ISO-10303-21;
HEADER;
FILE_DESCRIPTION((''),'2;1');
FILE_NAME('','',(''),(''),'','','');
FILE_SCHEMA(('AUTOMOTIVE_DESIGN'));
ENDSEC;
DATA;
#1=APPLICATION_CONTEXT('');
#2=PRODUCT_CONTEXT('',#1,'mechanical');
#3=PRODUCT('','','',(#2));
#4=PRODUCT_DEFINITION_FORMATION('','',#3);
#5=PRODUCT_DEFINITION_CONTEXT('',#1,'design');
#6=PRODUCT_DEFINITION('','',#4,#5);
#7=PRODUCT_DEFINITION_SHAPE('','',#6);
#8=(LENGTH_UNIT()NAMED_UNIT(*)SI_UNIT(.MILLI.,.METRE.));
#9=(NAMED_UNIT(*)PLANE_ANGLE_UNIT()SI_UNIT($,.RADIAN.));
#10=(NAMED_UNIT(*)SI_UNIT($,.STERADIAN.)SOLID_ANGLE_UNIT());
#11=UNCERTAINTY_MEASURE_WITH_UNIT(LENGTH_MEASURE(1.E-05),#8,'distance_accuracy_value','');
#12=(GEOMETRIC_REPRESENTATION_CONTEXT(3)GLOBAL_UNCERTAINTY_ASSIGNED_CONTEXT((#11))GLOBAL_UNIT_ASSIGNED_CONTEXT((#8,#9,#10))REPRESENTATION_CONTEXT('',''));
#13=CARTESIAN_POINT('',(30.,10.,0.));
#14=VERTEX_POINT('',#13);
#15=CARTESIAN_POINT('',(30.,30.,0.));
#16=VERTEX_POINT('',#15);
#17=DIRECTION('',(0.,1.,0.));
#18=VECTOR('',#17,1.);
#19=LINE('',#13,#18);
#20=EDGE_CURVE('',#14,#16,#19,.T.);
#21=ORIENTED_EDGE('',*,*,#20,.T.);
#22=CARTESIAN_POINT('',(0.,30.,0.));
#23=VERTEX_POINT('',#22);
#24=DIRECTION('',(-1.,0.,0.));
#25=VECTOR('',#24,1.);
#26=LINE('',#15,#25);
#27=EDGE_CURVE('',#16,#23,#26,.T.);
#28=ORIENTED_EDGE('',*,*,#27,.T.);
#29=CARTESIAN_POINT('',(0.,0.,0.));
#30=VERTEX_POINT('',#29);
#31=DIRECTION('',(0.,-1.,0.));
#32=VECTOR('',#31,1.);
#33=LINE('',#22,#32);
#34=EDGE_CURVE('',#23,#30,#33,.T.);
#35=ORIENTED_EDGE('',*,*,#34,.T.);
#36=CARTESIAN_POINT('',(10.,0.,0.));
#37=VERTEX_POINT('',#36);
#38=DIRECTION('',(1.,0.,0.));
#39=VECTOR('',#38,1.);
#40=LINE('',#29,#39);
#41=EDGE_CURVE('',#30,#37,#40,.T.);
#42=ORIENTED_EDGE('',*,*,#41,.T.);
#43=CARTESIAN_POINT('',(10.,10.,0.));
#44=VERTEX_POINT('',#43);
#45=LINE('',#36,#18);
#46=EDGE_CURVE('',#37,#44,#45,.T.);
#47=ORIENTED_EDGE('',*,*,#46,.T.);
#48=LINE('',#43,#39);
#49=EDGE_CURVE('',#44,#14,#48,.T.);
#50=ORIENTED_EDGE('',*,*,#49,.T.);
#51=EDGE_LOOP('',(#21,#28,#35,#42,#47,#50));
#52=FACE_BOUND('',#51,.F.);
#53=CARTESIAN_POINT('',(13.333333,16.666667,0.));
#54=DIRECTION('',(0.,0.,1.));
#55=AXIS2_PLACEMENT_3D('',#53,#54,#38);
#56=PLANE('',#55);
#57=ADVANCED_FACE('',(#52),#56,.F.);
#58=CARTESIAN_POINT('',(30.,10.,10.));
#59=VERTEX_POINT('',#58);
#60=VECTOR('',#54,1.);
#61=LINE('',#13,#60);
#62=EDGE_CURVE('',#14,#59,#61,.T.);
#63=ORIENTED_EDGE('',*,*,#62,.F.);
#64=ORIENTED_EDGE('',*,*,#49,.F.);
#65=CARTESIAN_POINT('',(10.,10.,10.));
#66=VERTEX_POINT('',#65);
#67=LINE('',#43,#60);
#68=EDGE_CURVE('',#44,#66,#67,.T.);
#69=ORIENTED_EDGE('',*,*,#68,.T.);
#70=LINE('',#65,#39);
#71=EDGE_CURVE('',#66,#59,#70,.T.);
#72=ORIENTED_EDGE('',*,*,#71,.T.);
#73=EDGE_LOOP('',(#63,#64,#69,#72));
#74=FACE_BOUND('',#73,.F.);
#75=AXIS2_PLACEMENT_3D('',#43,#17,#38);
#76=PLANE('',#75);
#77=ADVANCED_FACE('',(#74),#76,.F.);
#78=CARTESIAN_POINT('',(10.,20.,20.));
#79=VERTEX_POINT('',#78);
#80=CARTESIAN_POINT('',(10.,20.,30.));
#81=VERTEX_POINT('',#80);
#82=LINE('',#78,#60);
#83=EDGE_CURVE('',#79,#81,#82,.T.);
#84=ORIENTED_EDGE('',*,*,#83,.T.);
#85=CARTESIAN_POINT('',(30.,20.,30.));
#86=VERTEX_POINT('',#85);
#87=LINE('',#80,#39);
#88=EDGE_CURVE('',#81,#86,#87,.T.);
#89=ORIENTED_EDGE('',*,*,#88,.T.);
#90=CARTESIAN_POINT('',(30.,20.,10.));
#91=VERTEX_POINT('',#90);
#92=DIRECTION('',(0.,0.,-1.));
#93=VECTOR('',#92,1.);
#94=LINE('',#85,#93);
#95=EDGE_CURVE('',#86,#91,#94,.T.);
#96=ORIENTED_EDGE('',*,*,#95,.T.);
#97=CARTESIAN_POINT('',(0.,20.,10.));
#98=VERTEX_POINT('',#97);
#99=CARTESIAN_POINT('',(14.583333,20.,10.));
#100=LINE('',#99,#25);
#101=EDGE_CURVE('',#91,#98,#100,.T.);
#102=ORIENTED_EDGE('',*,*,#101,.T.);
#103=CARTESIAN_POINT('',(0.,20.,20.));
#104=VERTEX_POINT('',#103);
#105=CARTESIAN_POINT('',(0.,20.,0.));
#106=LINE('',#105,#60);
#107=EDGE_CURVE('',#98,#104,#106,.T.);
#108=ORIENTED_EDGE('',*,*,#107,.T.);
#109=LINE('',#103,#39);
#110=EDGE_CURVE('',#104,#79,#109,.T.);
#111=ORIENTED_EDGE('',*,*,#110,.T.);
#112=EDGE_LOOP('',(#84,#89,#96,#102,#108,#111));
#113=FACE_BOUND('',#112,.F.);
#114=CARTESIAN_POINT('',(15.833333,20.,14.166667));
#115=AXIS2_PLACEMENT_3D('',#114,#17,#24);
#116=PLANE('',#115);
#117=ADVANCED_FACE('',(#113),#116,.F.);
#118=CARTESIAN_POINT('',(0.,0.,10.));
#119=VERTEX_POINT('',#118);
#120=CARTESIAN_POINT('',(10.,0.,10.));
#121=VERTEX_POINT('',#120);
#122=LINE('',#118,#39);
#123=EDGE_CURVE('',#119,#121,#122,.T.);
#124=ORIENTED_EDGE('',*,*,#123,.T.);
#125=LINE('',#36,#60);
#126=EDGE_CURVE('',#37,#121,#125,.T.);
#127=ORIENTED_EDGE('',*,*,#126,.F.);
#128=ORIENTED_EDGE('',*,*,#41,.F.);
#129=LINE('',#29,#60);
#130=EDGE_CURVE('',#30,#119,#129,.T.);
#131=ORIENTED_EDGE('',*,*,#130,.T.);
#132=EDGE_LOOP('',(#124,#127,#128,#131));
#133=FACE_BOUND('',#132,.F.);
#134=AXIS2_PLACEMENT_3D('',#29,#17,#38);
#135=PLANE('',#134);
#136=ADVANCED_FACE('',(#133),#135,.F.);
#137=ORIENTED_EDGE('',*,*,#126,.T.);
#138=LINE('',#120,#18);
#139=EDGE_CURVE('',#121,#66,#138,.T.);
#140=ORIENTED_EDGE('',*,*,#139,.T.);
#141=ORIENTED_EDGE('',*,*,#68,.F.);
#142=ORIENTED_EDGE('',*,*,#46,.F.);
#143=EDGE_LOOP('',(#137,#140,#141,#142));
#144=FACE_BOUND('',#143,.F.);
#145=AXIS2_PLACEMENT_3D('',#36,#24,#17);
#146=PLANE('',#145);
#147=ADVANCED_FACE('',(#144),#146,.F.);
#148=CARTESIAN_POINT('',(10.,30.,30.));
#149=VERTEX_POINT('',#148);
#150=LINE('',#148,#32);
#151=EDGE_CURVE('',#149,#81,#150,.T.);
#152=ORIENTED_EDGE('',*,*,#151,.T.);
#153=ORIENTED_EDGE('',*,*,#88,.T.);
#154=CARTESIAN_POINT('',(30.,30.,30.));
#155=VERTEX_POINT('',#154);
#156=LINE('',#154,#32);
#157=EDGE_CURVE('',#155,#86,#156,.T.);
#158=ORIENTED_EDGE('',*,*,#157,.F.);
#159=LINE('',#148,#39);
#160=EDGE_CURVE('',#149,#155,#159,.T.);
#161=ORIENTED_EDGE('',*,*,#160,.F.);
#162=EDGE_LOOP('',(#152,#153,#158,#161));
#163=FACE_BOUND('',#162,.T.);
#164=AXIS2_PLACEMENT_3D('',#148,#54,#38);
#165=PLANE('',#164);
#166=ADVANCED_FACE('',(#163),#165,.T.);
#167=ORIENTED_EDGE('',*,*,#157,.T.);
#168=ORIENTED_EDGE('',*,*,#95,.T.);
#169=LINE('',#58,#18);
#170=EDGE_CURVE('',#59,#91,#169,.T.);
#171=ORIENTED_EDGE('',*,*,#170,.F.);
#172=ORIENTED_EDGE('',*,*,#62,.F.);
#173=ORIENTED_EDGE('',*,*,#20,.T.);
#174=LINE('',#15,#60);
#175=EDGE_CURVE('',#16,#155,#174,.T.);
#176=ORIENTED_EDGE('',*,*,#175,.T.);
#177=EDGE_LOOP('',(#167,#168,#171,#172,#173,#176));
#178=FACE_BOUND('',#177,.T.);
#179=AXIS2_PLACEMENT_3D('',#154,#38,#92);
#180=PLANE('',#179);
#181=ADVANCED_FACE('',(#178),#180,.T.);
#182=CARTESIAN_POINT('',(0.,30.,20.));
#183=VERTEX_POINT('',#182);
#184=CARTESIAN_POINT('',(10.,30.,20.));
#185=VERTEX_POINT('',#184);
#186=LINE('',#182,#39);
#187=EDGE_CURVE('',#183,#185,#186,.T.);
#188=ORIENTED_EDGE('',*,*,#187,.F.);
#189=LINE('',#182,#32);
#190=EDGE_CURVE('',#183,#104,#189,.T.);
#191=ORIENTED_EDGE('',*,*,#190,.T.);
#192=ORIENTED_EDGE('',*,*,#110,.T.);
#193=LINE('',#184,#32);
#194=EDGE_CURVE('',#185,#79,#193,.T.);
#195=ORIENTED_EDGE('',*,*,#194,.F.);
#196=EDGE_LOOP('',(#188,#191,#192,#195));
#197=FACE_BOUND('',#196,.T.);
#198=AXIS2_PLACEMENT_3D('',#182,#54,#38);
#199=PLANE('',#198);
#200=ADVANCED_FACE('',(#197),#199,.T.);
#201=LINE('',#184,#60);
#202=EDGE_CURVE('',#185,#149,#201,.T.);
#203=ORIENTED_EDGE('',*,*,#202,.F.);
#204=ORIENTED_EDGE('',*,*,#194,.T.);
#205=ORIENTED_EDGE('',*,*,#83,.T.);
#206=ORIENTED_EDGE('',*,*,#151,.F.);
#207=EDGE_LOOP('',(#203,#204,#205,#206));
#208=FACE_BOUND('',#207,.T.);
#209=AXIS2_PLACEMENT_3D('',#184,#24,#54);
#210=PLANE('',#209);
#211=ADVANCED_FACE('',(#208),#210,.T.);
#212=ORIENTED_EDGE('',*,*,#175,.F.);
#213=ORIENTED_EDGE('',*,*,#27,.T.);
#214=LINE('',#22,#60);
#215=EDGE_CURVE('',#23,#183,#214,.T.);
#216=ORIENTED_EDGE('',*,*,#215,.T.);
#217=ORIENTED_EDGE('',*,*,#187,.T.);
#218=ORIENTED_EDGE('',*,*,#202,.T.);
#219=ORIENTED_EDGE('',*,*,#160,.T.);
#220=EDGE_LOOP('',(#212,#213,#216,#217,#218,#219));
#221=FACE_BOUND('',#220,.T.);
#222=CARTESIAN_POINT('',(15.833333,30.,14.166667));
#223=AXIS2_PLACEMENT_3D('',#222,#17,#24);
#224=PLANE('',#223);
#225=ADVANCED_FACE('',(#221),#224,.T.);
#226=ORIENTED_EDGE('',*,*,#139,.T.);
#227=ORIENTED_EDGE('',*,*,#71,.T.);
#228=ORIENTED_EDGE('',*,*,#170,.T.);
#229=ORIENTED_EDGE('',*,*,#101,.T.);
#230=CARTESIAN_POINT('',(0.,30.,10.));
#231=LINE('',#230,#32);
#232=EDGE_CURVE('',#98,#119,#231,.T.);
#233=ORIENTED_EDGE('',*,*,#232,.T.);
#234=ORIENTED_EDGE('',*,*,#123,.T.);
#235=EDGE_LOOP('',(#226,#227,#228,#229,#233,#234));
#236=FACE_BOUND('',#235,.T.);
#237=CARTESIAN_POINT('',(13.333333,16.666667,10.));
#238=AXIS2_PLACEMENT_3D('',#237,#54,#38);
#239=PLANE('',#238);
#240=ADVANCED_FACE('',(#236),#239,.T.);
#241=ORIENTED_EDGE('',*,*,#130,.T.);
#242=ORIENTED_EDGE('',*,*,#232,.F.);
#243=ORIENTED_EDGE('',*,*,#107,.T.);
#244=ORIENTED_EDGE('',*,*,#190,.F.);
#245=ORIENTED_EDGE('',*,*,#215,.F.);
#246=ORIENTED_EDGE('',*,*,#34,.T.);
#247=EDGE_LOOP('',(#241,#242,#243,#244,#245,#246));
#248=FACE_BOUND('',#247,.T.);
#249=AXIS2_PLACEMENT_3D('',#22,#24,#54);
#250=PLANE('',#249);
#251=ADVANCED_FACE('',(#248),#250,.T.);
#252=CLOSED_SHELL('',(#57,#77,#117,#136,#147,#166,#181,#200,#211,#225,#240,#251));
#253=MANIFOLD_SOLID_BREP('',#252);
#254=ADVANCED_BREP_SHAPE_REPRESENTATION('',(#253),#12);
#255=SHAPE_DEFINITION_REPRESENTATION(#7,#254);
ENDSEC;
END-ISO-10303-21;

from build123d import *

# Parameters (mm, degrees)
F1_DEPTH = 10
F3_DEPTH = 10


with BuildPart() as f1:
    # F0 (on Top) → F1 (new body)
    with BuildSketch(Plane.XY):
        Polygon((0, 30), (0, 0), (10, 0), (10, 10), (30, 10), (30, 30), align=None)
    extrude(amount=F1_DEPTH)

    # F2 (on face) → F3 (join)
    with BuildSketch(Plane(origin=(0, 30, 0), x_dir=(-1, 0, 0), z_dir=(0, 1, 0))):
        Polygon((-30, 30), (-30, 0), (0, 0), (0, 20), (-10, 20), (-10, 30), align=None)
        Polygon((-30, 30), (-30, 10), (0, 10), (0, 20), (-10, 20), (-10, 30), align=None)
    extrude(amount=-F3_DEPTH)


solid = f1.part
